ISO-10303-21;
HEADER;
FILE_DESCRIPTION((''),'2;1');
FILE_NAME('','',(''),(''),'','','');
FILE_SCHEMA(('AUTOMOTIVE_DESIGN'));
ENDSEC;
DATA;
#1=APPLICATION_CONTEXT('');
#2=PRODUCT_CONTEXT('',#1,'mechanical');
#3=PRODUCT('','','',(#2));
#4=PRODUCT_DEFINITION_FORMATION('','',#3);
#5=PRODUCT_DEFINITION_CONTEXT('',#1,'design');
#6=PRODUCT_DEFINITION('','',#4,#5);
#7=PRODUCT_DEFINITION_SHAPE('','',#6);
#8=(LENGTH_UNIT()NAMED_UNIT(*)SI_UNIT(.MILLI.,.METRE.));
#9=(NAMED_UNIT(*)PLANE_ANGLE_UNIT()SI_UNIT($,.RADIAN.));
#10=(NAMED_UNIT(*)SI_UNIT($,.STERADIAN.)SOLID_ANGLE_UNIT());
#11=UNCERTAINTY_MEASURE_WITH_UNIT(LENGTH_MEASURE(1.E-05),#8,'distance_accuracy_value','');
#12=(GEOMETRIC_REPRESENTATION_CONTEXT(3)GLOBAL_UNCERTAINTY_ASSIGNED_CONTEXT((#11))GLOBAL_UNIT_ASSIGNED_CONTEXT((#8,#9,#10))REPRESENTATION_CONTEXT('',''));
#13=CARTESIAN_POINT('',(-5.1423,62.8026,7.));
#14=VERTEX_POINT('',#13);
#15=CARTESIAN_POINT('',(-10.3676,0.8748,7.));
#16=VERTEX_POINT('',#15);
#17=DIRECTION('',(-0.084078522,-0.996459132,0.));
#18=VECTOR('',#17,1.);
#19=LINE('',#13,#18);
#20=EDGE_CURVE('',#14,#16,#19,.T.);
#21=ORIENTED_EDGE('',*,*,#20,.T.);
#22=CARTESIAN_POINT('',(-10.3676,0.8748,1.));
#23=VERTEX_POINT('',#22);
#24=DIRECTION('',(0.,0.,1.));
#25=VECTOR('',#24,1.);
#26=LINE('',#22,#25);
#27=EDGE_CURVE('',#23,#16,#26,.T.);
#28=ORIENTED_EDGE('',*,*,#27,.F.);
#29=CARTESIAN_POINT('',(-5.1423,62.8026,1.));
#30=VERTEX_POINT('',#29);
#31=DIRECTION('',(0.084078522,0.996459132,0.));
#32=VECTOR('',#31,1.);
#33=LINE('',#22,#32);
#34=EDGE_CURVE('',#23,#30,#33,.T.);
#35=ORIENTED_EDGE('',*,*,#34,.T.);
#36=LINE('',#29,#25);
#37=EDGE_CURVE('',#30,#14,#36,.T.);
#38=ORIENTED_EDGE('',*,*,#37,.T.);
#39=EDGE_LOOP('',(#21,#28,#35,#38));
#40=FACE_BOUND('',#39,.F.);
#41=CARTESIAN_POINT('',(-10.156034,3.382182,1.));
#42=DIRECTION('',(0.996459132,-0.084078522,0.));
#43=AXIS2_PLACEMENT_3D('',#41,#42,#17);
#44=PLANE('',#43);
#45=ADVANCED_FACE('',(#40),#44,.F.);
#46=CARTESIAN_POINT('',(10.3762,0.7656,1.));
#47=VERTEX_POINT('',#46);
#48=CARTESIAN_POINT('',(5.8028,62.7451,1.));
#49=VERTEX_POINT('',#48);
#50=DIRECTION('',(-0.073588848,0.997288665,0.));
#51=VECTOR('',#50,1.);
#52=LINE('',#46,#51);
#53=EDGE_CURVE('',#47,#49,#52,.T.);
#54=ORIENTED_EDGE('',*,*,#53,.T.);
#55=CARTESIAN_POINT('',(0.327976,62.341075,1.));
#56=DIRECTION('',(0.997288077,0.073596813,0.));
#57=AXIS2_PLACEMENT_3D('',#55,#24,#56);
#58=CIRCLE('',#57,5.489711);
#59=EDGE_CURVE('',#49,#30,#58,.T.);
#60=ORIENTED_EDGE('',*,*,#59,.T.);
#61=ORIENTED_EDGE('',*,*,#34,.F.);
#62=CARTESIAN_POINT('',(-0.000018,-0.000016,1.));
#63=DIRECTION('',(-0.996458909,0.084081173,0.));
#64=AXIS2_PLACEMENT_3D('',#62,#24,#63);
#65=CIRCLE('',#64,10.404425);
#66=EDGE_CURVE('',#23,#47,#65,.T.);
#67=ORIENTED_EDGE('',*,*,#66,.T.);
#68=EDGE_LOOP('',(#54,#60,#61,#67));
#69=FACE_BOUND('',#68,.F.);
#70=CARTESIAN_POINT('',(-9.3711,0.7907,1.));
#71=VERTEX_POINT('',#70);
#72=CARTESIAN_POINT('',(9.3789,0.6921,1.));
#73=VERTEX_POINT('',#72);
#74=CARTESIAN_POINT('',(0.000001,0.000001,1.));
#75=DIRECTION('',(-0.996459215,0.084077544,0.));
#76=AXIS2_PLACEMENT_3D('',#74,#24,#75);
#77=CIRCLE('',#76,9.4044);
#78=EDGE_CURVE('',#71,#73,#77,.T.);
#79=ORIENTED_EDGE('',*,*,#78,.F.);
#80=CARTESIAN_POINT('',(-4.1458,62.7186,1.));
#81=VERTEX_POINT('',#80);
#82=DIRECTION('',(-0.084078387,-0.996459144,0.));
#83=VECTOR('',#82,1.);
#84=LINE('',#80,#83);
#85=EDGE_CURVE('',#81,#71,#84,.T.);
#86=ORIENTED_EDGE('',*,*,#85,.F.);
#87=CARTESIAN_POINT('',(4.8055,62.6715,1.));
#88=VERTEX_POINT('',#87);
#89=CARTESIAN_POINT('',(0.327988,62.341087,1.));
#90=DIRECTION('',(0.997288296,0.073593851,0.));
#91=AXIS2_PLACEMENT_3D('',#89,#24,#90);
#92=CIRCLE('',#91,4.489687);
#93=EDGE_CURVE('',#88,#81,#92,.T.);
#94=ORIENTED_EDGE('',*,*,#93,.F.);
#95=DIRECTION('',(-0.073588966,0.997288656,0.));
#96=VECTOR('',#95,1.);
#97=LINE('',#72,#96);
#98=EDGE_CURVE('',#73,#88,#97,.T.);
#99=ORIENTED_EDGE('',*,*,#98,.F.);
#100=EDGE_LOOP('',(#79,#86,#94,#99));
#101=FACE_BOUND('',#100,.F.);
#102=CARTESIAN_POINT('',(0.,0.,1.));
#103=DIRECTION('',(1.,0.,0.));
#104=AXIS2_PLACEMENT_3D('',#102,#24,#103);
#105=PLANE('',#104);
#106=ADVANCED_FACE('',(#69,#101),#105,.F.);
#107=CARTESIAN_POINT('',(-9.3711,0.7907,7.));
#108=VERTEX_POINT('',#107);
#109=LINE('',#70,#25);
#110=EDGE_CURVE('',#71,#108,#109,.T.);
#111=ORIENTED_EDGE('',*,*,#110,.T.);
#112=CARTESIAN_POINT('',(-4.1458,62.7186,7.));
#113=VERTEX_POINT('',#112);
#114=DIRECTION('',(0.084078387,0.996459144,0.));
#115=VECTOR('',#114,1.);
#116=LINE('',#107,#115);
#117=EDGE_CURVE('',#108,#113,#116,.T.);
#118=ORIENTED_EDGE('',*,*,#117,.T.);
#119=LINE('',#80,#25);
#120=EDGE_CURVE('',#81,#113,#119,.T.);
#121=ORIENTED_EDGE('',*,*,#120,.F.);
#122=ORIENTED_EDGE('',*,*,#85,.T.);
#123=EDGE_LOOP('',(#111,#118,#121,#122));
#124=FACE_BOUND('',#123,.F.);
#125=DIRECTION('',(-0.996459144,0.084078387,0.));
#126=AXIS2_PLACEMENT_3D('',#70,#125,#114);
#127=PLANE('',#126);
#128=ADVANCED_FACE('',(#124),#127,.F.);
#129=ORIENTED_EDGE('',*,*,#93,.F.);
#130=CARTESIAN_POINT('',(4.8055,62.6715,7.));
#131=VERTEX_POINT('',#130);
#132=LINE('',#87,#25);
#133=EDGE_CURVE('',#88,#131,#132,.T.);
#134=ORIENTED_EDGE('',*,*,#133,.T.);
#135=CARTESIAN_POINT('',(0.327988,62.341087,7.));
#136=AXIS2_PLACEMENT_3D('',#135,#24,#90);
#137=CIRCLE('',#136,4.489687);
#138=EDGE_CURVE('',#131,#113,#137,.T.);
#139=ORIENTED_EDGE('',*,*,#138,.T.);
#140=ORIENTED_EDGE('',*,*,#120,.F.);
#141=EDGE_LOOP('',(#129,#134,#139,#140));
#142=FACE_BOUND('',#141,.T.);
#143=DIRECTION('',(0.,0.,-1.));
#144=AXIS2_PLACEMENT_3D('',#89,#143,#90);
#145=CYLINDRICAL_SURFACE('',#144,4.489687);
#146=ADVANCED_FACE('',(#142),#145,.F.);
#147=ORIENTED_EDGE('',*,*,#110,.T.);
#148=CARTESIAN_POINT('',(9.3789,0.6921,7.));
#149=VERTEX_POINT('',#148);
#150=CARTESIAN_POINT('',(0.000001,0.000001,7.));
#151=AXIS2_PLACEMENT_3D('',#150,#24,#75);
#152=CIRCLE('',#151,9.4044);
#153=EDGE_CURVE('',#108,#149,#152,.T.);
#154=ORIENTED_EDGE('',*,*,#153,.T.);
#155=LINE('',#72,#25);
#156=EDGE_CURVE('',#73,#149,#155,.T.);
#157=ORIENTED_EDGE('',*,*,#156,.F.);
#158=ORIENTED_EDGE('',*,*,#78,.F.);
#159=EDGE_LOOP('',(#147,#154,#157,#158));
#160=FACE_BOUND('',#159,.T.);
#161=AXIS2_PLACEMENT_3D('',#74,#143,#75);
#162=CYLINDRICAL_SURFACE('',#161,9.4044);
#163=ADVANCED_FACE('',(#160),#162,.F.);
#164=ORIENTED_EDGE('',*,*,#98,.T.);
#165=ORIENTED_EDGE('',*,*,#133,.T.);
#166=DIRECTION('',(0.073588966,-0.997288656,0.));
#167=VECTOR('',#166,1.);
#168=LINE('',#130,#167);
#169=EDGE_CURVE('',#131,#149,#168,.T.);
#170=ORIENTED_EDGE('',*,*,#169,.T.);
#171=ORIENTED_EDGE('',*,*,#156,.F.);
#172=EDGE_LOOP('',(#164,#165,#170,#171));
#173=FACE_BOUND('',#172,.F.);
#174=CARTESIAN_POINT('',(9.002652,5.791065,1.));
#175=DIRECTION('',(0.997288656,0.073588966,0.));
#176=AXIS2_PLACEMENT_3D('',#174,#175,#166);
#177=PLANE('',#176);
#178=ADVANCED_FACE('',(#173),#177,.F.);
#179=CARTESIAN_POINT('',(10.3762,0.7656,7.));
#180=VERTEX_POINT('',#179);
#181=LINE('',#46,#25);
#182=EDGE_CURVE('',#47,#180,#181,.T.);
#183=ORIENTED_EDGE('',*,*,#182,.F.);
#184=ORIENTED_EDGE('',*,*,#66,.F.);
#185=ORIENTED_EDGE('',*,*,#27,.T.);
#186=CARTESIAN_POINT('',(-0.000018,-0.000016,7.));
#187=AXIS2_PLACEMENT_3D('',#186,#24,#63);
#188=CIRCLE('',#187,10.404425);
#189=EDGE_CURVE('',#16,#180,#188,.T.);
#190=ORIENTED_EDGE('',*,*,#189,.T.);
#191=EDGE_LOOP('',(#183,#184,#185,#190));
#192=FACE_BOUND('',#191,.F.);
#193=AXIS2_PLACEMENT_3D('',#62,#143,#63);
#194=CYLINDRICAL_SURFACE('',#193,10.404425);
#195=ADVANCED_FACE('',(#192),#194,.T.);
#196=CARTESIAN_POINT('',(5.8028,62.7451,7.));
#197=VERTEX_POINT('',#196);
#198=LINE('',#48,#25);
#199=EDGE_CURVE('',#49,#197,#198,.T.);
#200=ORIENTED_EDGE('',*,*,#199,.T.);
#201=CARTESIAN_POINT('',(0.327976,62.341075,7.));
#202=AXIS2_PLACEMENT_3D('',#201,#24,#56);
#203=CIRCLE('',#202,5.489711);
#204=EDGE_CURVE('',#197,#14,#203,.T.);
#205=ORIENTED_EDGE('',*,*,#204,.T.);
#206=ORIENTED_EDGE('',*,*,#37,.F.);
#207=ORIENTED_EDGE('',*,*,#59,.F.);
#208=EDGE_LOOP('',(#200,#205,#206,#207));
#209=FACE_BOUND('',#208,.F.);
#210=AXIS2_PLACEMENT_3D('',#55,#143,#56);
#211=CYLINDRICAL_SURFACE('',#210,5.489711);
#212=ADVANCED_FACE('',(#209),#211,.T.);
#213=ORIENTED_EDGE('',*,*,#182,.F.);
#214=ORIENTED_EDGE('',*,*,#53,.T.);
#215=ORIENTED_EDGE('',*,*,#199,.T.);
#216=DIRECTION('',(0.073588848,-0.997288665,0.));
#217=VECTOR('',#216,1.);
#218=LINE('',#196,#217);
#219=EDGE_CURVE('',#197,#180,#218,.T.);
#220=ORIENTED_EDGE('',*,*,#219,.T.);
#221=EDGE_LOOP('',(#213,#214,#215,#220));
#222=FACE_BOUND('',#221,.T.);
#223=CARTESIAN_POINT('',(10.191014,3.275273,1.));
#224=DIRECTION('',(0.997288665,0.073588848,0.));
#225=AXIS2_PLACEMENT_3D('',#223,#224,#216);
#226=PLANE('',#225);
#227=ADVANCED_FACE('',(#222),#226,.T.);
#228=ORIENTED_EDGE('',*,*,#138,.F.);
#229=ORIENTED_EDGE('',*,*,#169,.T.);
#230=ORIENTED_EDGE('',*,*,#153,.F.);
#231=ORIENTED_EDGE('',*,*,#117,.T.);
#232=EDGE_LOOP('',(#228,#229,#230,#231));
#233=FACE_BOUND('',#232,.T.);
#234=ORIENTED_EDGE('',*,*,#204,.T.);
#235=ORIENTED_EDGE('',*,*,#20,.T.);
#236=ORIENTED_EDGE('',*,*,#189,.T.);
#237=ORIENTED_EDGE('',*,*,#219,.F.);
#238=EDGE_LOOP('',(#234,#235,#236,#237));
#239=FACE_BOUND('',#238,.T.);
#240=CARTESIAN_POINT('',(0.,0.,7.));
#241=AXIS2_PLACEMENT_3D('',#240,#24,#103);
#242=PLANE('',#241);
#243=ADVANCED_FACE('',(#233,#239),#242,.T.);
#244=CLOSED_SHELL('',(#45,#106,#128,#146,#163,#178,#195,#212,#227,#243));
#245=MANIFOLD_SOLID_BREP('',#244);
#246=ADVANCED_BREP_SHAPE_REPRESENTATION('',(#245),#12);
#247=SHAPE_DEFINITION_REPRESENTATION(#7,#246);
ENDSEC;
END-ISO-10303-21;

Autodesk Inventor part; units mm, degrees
ref_plane "YZ Plane" through (0, 0, 0) normal (1, 0, 0) x (0, 1, 0)
ref_plane "XZ Plane" through (0, 0, 0) normal (0, 1, 0) x (-1, 0, 0)
ref_plane "Work Plane1" through (0, 0, 1) normal (0, 0, 1) x (1, 0, 0)
sketch "Sketch1" plane through (0, 0, 1) normal (0, 0, 1) x (1, 0, 0)
  circle A0 centre (0, 0) radius 10.7044 projected
  circle A1 centre (0.328, 62.3411) radius 5.7897 projected
  arc A2 (5.8028, 62.7451) -> (-5.1423, 62.8026) centre (0.328, 62.3411) ccw
  arc A3 (-10.3676, 0.8748) -> (10.3762, 0.7656) centre (0, 0) ccw
  line L0 (-5.1423, 62.8026) -> (-10.3676, 0.8748)
  line L1 (5.8028, 62.7451) -> (10.3762, 0.7656)
  arc A4 (-5.1423, 62.8026) -> (5.8028, 62.7451) centre (0.328, 62.3411) ccw construction
  arc A5 (10.3762, 0.7656) -> (-10.3676, 0.8748) centre (0, 0) ccw construction
  line L2 (-9.3711, 0.7907) -> (-4.1458, 62.7186)
  arc A6 (4.8055, 62.6715) -> (-4.1458, 62.7186) centre (0.328, 62.3411) ccw
  line L3 (4.8055, 62.6715) -> (9.3789, 0.6921)
  arc A7 (-9.3711, 0.7907) -> (9.3789, 0.6921) centre (0, 0) ccw
  point P0 (0, 0)
  dimension "d1" = 0.3
  dimension "d2" = 0.3
  dimension "d3" = 1
extrude "Extrusion1" add sketch "Sketch1" along normal blind 6 contours L1 A3 L0 A0 L2 A7 L3 | A0 L3 A1 L1 | L0 A1 L2 A0 | A1 L3 A6 L2 L0 A2 L1
properties part number "Belt" material "Rubber"
